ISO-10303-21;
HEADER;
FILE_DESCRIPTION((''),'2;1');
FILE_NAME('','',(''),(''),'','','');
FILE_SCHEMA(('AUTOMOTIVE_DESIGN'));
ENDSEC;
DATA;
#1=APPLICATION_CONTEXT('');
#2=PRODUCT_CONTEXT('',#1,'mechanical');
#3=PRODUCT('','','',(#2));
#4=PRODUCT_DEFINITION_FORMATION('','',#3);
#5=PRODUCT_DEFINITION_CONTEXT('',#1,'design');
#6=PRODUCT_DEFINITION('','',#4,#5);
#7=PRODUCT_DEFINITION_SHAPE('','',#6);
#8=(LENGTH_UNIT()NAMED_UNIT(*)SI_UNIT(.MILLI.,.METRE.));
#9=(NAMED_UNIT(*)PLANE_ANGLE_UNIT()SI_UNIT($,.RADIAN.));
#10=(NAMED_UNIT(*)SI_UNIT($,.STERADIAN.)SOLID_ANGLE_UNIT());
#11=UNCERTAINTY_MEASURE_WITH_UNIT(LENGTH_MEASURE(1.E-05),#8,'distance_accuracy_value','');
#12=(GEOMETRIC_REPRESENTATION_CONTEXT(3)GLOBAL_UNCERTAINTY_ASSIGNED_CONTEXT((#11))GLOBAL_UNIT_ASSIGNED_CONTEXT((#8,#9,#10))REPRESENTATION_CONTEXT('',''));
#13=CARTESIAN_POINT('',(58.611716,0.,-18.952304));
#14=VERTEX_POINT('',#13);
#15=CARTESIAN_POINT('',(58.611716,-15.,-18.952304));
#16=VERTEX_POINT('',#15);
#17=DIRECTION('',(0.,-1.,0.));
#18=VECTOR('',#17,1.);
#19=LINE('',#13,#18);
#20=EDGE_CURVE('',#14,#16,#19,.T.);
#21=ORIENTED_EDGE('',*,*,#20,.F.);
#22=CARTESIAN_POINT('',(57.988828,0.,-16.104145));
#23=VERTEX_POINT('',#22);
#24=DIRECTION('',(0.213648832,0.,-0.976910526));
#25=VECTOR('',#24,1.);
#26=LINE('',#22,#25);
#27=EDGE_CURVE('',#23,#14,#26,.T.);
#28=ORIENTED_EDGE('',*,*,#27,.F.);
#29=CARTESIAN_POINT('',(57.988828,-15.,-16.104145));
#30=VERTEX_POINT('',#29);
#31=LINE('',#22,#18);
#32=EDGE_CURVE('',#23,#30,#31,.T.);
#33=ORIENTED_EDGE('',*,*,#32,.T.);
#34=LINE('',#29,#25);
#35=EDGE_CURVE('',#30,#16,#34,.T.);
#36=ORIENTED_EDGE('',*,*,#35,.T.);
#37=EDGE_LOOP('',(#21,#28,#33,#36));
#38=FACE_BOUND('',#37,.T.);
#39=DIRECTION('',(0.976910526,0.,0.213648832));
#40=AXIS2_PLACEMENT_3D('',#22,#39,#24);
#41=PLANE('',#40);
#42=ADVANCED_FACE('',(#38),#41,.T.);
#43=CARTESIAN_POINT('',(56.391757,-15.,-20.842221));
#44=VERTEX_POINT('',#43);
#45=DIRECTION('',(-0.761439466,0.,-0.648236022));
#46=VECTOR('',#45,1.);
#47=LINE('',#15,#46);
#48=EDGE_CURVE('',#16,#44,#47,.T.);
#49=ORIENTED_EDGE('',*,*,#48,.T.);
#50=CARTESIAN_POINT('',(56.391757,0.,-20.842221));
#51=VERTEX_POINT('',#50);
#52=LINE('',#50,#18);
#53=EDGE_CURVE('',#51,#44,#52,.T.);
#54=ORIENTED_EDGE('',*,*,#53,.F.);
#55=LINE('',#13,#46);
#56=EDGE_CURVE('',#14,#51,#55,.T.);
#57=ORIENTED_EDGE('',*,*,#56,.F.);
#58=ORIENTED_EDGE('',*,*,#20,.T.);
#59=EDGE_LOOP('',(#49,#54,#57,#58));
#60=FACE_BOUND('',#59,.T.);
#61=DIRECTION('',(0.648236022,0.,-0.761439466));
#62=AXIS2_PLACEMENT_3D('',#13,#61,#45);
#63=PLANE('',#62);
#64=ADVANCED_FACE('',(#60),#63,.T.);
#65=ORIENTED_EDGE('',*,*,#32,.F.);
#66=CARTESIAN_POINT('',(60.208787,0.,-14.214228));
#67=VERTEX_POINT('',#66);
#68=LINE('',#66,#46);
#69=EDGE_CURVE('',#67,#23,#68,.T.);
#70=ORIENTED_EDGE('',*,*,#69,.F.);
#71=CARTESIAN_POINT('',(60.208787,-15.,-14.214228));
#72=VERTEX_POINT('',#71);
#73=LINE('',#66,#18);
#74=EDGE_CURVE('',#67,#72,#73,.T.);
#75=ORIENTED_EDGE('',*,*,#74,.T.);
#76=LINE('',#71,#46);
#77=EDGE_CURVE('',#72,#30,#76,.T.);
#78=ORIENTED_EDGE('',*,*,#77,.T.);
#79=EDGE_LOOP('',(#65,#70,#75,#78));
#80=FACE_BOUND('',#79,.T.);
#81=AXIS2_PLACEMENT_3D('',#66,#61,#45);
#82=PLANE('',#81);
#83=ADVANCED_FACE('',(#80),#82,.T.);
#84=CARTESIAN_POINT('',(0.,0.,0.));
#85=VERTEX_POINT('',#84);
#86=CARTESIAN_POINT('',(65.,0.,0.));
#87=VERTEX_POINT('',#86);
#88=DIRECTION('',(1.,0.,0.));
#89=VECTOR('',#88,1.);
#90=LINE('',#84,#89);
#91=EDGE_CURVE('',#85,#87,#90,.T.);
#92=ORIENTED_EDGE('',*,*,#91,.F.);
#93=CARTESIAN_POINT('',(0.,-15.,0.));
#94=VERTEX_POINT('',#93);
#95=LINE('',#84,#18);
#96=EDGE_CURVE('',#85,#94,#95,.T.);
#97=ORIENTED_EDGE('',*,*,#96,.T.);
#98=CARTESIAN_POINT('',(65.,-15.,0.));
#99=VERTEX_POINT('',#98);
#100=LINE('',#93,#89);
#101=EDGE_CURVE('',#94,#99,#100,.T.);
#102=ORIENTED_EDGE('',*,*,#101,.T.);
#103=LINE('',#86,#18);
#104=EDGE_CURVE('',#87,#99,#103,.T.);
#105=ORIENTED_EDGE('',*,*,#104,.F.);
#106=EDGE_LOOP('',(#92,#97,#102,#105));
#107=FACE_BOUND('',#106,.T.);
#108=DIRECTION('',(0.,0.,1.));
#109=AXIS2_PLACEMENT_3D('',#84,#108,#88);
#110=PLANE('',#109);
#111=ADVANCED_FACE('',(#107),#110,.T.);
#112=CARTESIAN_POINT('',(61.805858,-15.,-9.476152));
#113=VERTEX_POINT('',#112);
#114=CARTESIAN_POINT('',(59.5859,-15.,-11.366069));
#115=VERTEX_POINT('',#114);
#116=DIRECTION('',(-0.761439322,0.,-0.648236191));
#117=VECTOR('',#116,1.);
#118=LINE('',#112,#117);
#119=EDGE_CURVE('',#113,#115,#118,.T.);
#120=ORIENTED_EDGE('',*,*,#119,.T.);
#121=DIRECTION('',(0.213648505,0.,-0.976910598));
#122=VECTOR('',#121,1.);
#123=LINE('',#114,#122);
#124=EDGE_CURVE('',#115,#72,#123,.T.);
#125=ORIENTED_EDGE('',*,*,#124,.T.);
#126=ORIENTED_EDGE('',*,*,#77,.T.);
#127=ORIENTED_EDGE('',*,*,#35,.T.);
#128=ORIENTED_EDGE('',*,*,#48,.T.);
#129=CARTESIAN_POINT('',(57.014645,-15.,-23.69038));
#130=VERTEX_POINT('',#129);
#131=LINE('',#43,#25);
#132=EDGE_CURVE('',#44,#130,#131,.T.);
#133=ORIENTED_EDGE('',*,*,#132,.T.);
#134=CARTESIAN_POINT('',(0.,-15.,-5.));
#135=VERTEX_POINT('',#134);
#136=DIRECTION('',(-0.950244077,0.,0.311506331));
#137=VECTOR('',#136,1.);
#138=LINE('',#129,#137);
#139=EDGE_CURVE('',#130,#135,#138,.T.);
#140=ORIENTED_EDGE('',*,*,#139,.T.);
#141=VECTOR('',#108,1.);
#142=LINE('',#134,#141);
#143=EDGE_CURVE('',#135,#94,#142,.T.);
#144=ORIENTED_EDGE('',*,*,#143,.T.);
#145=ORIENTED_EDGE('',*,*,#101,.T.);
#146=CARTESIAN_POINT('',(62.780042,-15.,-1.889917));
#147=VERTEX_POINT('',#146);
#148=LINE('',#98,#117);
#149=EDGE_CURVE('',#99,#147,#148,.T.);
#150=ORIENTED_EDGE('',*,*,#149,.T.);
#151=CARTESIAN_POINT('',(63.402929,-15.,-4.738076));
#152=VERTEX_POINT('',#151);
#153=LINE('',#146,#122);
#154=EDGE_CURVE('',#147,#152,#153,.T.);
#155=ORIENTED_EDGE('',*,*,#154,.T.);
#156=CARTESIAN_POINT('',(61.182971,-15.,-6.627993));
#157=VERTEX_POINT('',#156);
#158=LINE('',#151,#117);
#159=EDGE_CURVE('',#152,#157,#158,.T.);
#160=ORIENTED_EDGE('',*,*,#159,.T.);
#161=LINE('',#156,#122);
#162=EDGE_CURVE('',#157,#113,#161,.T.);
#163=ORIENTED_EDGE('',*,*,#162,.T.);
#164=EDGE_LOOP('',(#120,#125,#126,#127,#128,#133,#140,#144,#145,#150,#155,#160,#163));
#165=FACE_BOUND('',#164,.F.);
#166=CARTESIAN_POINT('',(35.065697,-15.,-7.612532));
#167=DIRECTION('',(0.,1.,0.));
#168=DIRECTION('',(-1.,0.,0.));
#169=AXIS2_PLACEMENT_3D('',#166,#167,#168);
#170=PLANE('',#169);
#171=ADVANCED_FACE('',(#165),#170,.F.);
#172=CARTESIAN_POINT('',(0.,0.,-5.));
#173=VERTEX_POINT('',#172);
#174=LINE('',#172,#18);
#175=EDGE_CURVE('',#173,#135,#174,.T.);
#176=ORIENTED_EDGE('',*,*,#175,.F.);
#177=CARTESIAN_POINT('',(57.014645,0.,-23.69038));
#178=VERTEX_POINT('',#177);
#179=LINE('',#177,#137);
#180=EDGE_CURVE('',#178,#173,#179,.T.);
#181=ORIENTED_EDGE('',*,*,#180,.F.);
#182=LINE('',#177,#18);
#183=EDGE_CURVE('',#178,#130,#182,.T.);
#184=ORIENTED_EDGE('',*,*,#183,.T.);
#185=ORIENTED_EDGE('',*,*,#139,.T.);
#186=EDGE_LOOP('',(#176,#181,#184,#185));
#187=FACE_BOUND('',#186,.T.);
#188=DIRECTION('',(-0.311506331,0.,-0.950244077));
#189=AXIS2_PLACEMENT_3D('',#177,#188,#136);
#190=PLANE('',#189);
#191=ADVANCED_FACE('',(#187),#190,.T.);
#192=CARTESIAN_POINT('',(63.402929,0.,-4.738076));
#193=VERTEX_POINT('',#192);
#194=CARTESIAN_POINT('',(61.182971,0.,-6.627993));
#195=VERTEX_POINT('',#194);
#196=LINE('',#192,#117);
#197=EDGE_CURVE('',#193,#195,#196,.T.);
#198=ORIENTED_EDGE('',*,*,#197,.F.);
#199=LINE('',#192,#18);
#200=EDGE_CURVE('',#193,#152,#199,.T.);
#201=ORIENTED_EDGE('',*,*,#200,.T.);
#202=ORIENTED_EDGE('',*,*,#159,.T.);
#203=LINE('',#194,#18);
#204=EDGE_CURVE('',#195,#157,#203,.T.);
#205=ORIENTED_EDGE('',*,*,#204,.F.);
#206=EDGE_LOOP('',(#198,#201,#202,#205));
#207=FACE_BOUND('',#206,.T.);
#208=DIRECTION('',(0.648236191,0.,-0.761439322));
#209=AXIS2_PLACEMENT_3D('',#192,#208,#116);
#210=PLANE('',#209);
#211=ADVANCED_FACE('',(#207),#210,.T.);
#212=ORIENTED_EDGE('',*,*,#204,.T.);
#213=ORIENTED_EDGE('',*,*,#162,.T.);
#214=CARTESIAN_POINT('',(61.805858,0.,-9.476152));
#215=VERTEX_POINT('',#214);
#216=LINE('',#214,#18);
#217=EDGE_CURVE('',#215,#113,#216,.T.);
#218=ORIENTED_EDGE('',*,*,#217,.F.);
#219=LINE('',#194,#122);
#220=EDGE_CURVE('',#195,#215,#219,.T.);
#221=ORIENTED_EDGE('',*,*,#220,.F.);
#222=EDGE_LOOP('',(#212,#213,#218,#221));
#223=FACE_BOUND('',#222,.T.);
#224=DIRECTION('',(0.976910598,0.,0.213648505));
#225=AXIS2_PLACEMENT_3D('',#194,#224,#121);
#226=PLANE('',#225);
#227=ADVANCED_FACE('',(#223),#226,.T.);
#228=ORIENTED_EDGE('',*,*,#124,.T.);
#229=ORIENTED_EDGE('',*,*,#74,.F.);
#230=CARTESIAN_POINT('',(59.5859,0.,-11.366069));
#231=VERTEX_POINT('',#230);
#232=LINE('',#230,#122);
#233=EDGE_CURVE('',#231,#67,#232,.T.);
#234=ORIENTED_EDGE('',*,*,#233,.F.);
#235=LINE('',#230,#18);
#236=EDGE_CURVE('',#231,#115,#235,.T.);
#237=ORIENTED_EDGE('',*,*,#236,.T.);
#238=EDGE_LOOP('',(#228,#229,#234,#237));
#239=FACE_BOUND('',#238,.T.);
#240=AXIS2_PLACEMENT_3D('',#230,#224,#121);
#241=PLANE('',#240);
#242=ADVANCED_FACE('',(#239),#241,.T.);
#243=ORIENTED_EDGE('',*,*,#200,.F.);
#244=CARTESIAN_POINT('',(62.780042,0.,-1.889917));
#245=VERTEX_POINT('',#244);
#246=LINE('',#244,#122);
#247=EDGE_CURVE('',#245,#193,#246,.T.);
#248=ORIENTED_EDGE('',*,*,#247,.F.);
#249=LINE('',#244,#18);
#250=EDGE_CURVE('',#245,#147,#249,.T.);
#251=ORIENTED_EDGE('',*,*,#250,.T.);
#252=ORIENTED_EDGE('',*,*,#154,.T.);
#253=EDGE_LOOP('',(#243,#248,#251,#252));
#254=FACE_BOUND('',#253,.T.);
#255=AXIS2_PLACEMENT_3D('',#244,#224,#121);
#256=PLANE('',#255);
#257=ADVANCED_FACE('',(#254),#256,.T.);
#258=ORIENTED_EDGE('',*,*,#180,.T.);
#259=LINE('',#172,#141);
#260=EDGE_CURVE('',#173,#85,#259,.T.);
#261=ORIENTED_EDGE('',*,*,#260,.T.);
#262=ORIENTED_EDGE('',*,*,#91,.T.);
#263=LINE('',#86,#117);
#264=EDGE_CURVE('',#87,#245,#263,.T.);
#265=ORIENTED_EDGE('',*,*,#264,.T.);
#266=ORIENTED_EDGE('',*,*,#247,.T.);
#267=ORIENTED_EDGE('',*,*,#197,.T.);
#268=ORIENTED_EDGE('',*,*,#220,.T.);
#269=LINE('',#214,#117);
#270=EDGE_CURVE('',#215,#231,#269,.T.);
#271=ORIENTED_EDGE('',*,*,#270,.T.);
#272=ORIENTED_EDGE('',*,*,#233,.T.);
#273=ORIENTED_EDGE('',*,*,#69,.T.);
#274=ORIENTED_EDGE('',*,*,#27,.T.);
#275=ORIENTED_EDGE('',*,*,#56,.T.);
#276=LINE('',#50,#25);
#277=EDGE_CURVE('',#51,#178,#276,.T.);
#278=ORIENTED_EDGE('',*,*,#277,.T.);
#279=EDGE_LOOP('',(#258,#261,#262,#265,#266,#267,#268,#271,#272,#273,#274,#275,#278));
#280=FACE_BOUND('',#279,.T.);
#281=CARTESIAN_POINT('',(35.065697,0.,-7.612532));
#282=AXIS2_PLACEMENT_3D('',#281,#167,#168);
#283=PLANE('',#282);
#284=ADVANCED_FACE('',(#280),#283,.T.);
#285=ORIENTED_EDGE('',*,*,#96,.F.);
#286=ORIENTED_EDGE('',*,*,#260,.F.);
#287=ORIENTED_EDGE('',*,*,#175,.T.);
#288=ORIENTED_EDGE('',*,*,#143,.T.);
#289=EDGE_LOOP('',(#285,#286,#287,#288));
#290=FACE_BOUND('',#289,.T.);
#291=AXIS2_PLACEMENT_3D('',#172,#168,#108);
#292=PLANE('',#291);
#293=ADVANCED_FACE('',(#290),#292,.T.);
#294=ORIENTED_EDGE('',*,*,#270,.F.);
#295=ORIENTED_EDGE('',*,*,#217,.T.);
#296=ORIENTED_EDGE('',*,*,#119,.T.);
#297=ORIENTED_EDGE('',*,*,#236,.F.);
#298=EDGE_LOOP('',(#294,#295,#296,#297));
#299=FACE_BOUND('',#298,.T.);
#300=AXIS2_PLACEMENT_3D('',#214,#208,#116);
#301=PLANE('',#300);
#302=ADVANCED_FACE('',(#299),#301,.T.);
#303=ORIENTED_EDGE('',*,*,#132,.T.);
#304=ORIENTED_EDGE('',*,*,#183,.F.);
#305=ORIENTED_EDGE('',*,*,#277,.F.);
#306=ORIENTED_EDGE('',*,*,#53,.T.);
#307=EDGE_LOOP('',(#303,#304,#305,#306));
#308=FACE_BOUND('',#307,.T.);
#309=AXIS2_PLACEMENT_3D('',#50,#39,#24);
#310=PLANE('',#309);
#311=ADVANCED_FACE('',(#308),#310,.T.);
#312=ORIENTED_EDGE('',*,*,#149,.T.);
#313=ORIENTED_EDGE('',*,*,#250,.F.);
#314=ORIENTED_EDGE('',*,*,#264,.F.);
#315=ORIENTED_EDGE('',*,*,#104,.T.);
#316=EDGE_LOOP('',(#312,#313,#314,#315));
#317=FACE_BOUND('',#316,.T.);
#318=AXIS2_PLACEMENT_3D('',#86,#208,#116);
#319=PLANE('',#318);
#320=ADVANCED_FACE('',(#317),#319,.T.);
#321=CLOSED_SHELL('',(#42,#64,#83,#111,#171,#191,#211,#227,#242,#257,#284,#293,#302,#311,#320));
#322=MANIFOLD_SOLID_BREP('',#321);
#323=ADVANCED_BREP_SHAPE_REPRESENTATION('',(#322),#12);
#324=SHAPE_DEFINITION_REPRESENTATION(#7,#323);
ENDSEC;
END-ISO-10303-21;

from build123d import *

# Parameters (mm, degrees)
PAD_DEPTH = 15


with BuildPart() as part:
    # Sketch → Pad (new body)
    with BuildSketch(Plane.XZ):
        Polygon((0, 0), (65, 0), (62.780042, -1.889917), (63.402929, -4.738076), (61.182971, -6.627993), (61.805858, -9.476152), (59.5859, -11.366069), (60.208787, -14.214228), (57.988828, -16.104145), (58.611716, -18.952304), (56.391757, -20.842221), (57.014645, -23.69038), (0, -5), align=None)
    extrude(amount=PAD_DEPTH)


solid = part.part
